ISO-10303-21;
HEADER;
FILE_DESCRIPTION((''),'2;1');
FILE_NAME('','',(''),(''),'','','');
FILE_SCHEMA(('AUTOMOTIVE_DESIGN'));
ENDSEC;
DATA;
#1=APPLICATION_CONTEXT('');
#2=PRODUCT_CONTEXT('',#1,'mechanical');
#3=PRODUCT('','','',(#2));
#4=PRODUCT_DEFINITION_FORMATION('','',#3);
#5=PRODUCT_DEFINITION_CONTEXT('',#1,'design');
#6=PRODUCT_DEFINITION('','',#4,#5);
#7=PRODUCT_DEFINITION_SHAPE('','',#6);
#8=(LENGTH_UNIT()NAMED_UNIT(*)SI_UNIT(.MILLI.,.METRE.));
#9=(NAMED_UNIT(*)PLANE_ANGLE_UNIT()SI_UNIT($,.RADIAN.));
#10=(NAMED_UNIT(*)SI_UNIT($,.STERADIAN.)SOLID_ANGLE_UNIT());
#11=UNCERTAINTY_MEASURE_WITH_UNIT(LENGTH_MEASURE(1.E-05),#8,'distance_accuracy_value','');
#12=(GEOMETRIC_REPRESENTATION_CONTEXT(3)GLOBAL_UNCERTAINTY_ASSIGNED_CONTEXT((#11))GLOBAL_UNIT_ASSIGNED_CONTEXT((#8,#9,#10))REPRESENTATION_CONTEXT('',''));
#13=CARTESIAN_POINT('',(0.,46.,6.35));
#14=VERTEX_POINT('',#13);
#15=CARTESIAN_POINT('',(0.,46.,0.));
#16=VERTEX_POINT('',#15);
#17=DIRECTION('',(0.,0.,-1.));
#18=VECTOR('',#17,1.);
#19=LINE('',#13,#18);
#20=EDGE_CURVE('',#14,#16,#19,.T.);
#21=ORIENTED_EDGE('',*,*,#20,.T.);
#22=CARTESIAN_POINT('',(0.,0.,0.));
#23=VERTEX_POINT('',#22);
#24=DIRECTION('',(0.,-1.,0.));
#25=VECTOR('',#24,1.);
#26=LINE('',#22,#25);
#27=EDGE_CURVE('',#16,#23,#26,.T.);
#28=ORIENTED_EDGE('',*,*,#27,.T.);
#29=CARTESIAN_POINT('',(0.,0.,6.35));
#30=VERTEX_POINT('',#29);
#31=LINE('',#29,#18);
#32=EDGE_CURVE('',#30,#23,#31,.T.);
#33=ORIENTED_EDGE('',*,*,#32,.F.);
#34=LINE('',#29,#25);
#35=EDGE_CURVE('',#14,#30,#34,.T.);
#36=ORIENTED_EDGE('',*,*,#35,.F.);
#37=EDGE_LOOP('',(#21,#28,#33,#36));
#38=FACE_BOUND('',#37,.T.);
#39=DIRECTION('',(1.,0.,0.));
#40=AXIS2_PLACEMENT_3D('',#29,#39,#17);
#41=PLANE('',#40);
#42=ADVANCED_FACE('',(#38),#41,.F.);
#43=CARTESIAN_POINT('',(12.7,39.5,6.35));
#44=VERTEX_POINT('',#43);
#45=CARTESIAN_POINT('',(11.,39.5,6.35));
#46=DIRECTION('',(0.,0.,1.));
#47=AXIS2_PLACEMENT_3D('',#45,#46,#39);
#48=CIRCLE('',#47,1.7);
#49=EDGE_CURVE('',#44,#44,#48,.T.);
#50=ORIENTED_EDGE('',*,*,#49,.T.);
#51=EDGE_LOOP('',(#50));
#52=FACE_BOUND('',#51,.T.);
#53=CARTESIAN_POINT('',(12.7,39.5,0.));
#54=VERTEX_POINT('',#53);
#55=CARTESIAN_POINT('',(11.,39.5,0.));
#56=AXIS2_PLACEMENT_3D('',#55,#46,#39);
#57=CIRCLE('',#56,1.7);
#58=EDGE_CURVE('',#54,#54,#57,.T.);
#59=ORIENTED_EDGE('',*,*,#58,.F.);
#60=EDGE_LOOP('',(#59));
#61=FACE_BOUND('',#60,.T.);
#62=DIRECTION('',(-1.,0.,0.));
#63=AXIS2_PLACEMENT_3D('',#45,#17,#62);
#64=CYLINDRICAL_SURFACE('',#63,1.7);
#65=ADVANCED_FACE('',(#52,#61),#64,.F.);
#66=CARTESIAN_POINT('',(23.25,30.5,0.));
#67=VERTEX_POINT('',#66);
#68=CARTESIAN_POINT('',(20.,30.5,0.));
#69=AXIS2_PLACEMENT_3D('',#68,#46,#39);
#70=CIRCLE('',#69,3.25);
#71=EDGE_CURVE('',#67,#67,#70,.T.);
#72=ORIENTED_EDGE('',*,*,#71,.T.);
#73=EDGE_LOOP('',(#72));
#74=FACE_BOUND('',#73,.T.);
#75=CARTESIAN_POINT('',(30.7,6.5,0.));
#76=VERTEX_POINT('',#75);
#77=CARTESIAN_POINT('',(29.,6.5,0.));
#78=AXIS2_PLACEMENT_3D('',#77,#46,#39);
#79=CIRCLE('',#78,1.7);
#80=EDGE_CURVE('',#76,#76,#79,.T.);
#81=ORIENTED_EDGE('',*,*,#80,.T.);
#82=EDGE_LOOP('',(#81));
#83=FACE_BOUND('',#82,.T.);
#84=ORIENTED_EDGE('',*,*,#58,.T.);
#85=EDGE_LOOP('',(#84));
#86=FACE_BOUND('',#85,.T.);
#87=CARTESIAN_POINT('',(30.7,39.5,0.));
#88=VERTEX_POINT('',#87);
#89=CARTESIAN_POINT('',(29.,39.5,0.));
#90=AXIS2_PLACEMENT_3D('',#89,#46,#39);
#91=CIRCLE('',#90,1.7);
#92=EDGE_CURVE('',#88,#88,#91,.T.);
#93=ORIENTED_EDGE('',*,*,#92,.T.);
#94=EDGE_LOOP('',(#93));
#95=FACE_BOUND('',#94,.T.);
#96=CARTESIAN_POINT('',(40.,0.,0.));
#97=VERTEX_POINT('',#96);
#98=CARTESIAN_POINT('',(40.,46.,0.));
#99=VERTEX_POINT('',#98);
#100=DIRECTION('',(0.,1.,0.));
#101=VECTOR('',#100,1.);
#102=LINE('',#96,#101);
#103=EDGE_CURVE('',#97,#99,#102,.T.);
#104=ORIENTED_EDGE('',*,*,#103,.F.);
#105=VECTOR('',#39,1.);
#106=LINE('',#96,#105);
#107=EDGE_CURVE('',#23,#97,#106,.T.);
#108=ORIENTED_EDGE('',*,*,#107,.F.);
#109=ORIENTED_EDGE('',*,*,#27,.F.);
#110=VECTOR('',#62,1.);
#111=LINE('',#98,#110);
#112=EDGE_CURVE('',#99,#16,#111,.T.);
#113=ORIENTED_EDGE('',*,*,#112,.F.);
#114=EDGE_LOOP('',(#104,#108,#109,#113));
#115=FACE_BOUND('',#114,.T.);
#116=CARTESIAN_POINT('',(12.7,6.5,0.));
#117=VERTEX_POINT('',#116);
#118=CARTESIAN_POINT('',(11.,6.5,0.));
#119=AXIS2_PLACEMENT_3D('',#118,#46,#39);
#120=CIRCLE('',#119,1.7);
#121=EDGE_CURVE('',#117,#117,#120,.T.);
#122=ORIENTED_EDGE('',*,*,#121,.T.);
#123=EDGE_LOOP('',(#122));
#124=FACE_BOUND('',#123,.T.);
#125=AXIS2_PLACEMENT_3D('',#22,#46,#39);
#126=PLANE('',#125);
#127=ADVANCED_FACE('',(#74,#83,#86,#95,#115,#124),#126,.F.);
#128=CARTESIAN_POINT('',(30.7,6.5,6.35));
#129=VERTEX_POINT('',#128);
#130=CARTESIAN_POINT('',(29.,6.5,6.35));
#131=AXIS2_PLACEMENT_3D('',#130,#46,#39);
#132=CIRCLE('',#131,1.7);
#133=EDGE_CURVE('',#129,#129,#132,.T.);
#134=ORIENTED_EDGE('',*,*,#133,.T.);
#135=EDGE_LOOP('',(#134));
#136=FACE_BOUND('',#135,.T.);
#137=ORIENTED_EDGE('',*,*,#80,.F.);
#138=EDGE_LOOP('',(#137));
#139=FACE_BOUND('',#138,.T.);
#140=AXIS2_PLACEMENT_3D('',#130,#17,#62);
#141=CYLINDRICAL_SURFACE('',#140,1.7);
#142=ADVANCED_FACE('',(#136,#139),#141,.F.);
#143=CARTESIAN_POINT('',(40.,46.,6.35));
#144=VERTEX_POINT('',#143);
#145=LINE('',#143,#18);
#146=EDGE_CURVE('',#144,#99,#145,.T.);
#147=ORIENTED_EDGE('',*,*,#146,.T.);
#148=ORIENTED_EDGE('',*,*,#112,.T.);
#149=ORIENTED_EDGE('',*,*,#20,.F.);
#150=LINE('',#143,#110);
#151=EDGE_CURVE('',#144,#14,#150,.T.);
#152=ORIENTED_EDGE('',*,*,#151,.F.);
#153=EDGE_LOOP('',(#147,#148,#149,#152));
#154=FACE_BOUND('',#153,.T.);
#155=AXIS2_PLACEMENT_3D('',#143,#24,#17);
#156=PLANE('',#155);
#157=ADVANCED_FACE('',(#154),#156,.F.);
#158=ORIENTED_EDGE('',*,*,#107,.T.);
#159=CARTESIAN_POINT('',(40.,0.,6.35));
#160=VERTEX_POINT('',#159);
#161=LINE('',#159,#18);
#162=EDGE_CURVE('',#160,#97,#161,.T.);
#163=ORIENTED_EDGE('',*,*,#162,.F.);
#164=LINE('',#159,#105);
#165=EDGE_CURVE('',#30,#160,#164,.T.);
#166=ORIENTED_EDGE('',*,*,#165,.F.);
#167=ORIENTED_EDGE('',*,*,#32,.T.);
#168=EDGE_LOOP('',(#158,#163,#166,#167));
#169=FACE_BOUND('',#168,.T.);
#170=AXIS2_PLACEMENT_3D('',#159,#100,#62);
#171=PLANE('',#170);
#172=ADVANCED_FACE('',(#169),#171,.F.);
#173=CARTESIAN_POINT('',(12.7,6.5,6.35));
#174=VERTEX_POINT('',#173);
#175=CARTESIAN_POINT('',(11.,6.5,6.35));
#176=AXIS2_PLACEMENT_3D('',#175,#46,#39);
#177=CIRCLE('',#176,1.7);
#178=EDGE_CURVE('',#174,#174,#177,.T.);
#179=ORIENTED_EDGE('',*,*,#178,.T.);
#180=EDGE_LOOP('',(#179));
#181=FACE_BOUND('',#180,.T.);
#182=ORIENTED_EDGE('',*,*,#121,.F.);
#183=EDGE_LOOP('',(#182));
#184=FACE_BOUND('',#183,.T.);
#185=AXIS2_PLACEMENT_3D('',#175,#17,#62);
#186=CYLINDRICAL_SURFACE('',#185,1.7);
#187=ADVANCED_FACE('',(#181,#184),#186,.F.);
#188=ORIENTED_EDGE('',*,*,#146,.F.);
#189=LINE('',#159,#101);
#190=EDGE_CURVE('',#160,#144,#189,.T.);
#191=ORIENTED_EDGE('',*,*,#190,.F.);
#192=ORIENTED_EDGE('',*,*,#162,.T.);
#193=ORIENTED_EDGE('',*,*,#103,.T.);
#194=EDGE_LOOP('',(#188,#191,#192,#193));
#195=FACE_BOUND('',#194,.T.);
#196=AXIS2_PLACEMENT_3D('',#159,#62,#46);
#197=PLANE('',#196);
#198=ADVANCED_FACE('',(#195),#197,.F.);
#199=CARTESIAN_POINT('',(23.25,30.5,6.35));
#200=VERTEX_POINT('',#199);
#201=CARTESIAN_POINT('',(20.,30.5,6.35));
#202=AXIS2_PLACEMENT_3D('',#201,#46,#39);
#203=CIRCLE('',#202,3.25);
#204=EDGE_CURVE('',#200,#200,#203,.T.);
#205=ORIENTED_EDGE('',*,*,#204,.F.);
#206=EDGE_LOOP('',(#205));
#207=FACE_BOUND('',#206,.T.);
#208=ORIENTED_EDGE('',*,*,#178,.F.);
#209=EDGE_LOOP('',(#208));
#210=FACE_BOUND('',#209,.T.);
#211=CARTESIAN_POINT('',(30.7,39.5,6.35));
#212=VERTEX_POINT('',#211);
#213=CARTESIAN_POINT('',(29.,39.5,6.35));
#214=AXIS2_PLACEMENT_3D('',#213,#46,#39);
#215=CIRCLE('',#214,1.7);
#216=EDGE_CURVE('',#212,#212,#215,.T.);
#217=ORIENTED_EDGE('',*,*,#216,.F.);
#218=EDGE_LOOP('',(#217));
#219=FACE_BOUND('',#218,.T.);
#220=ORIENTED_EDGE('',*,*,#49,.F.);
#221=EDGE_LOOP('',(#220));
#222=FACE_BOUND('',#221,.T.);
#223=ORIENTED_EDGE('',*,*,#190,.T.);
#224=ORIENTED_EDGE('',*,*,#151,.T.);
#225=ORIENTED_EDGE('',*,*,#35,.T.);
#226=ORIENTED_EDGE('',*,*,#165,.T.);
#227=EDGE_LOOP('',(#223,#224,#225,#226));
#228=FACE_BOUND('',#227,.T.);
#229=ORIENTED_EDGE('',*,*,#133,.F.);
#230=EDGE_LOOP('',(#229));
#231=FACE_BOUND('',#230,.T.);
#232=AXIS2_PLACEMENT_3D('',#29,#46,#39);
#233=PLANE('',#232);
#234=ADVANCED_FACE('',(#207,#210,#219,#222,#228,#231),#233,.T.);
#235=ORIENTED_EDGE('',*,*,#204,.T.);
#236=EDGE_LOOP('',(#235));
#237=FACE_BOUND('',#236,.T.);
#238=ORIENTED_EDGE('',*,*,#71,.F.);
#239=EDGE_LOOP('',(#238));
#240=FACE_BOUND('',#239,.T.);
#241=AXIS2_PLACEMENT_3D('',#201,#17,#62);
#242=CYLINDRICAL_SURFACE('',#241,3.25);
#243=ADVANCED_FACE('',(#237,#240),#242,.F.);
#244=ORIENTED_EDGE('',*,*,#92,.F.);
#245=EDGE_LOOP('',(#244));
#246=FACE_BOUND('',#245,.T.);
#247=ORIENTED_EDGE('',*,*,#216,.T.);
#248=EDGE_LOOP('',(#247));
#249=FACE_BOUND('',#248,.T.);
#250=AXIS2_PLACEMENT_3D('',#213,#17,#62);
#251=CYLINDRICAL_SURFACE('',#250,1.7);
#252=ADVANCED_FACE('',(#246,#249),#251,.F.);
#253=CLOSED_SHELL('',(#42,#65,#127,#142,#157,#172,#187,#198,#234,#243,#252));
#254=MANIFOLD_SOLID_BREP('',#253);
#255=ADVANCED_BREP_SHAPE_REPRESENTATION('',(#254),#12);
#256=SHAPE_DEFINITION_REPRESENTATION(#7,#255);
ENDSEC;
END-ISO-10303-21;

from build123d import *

# Parameters (mm, degrees)
SKETCH1_W           = 40
SKETCH1_H           = 46
SKETCH1_R           = 1.7
SKETCH1_R_2         = 3.25
BOSS_EXTRUDE1_DEPTH = 6.35


with BuildPart() as part:
    # Sketch1 → Boss-Extrude1 (new body)
    with BuildSketch(Plane.XY):
        with Locations((20, 23)):
            Rectangle(SKETCH1_W, SKETCH1_H)
        with Locations((29, 39.5)):
            Circle(SKETCH1_R, mode=Mode.SUBTRACT)
        with Locations((11, 39.5)):
            Circle(SKETCH1_R, mode=Mode.SUBTRACT)
        with Locations((20, 30.5)):
            Circle(SKETCH1_R_2, mode=Mode.SUBTRACT)
        with Locations((11, 6.5)):
            Circle(SKETCH1_R, mode=Mode.SUBTRACT)
        with Locations((29, 6.5)):
            Circle(SKETCH1_R, mode=Mode.SUBTRACT)
    extrude(amount=BOSS_EXTRUDE1_DEPTH)


solid = part.part
